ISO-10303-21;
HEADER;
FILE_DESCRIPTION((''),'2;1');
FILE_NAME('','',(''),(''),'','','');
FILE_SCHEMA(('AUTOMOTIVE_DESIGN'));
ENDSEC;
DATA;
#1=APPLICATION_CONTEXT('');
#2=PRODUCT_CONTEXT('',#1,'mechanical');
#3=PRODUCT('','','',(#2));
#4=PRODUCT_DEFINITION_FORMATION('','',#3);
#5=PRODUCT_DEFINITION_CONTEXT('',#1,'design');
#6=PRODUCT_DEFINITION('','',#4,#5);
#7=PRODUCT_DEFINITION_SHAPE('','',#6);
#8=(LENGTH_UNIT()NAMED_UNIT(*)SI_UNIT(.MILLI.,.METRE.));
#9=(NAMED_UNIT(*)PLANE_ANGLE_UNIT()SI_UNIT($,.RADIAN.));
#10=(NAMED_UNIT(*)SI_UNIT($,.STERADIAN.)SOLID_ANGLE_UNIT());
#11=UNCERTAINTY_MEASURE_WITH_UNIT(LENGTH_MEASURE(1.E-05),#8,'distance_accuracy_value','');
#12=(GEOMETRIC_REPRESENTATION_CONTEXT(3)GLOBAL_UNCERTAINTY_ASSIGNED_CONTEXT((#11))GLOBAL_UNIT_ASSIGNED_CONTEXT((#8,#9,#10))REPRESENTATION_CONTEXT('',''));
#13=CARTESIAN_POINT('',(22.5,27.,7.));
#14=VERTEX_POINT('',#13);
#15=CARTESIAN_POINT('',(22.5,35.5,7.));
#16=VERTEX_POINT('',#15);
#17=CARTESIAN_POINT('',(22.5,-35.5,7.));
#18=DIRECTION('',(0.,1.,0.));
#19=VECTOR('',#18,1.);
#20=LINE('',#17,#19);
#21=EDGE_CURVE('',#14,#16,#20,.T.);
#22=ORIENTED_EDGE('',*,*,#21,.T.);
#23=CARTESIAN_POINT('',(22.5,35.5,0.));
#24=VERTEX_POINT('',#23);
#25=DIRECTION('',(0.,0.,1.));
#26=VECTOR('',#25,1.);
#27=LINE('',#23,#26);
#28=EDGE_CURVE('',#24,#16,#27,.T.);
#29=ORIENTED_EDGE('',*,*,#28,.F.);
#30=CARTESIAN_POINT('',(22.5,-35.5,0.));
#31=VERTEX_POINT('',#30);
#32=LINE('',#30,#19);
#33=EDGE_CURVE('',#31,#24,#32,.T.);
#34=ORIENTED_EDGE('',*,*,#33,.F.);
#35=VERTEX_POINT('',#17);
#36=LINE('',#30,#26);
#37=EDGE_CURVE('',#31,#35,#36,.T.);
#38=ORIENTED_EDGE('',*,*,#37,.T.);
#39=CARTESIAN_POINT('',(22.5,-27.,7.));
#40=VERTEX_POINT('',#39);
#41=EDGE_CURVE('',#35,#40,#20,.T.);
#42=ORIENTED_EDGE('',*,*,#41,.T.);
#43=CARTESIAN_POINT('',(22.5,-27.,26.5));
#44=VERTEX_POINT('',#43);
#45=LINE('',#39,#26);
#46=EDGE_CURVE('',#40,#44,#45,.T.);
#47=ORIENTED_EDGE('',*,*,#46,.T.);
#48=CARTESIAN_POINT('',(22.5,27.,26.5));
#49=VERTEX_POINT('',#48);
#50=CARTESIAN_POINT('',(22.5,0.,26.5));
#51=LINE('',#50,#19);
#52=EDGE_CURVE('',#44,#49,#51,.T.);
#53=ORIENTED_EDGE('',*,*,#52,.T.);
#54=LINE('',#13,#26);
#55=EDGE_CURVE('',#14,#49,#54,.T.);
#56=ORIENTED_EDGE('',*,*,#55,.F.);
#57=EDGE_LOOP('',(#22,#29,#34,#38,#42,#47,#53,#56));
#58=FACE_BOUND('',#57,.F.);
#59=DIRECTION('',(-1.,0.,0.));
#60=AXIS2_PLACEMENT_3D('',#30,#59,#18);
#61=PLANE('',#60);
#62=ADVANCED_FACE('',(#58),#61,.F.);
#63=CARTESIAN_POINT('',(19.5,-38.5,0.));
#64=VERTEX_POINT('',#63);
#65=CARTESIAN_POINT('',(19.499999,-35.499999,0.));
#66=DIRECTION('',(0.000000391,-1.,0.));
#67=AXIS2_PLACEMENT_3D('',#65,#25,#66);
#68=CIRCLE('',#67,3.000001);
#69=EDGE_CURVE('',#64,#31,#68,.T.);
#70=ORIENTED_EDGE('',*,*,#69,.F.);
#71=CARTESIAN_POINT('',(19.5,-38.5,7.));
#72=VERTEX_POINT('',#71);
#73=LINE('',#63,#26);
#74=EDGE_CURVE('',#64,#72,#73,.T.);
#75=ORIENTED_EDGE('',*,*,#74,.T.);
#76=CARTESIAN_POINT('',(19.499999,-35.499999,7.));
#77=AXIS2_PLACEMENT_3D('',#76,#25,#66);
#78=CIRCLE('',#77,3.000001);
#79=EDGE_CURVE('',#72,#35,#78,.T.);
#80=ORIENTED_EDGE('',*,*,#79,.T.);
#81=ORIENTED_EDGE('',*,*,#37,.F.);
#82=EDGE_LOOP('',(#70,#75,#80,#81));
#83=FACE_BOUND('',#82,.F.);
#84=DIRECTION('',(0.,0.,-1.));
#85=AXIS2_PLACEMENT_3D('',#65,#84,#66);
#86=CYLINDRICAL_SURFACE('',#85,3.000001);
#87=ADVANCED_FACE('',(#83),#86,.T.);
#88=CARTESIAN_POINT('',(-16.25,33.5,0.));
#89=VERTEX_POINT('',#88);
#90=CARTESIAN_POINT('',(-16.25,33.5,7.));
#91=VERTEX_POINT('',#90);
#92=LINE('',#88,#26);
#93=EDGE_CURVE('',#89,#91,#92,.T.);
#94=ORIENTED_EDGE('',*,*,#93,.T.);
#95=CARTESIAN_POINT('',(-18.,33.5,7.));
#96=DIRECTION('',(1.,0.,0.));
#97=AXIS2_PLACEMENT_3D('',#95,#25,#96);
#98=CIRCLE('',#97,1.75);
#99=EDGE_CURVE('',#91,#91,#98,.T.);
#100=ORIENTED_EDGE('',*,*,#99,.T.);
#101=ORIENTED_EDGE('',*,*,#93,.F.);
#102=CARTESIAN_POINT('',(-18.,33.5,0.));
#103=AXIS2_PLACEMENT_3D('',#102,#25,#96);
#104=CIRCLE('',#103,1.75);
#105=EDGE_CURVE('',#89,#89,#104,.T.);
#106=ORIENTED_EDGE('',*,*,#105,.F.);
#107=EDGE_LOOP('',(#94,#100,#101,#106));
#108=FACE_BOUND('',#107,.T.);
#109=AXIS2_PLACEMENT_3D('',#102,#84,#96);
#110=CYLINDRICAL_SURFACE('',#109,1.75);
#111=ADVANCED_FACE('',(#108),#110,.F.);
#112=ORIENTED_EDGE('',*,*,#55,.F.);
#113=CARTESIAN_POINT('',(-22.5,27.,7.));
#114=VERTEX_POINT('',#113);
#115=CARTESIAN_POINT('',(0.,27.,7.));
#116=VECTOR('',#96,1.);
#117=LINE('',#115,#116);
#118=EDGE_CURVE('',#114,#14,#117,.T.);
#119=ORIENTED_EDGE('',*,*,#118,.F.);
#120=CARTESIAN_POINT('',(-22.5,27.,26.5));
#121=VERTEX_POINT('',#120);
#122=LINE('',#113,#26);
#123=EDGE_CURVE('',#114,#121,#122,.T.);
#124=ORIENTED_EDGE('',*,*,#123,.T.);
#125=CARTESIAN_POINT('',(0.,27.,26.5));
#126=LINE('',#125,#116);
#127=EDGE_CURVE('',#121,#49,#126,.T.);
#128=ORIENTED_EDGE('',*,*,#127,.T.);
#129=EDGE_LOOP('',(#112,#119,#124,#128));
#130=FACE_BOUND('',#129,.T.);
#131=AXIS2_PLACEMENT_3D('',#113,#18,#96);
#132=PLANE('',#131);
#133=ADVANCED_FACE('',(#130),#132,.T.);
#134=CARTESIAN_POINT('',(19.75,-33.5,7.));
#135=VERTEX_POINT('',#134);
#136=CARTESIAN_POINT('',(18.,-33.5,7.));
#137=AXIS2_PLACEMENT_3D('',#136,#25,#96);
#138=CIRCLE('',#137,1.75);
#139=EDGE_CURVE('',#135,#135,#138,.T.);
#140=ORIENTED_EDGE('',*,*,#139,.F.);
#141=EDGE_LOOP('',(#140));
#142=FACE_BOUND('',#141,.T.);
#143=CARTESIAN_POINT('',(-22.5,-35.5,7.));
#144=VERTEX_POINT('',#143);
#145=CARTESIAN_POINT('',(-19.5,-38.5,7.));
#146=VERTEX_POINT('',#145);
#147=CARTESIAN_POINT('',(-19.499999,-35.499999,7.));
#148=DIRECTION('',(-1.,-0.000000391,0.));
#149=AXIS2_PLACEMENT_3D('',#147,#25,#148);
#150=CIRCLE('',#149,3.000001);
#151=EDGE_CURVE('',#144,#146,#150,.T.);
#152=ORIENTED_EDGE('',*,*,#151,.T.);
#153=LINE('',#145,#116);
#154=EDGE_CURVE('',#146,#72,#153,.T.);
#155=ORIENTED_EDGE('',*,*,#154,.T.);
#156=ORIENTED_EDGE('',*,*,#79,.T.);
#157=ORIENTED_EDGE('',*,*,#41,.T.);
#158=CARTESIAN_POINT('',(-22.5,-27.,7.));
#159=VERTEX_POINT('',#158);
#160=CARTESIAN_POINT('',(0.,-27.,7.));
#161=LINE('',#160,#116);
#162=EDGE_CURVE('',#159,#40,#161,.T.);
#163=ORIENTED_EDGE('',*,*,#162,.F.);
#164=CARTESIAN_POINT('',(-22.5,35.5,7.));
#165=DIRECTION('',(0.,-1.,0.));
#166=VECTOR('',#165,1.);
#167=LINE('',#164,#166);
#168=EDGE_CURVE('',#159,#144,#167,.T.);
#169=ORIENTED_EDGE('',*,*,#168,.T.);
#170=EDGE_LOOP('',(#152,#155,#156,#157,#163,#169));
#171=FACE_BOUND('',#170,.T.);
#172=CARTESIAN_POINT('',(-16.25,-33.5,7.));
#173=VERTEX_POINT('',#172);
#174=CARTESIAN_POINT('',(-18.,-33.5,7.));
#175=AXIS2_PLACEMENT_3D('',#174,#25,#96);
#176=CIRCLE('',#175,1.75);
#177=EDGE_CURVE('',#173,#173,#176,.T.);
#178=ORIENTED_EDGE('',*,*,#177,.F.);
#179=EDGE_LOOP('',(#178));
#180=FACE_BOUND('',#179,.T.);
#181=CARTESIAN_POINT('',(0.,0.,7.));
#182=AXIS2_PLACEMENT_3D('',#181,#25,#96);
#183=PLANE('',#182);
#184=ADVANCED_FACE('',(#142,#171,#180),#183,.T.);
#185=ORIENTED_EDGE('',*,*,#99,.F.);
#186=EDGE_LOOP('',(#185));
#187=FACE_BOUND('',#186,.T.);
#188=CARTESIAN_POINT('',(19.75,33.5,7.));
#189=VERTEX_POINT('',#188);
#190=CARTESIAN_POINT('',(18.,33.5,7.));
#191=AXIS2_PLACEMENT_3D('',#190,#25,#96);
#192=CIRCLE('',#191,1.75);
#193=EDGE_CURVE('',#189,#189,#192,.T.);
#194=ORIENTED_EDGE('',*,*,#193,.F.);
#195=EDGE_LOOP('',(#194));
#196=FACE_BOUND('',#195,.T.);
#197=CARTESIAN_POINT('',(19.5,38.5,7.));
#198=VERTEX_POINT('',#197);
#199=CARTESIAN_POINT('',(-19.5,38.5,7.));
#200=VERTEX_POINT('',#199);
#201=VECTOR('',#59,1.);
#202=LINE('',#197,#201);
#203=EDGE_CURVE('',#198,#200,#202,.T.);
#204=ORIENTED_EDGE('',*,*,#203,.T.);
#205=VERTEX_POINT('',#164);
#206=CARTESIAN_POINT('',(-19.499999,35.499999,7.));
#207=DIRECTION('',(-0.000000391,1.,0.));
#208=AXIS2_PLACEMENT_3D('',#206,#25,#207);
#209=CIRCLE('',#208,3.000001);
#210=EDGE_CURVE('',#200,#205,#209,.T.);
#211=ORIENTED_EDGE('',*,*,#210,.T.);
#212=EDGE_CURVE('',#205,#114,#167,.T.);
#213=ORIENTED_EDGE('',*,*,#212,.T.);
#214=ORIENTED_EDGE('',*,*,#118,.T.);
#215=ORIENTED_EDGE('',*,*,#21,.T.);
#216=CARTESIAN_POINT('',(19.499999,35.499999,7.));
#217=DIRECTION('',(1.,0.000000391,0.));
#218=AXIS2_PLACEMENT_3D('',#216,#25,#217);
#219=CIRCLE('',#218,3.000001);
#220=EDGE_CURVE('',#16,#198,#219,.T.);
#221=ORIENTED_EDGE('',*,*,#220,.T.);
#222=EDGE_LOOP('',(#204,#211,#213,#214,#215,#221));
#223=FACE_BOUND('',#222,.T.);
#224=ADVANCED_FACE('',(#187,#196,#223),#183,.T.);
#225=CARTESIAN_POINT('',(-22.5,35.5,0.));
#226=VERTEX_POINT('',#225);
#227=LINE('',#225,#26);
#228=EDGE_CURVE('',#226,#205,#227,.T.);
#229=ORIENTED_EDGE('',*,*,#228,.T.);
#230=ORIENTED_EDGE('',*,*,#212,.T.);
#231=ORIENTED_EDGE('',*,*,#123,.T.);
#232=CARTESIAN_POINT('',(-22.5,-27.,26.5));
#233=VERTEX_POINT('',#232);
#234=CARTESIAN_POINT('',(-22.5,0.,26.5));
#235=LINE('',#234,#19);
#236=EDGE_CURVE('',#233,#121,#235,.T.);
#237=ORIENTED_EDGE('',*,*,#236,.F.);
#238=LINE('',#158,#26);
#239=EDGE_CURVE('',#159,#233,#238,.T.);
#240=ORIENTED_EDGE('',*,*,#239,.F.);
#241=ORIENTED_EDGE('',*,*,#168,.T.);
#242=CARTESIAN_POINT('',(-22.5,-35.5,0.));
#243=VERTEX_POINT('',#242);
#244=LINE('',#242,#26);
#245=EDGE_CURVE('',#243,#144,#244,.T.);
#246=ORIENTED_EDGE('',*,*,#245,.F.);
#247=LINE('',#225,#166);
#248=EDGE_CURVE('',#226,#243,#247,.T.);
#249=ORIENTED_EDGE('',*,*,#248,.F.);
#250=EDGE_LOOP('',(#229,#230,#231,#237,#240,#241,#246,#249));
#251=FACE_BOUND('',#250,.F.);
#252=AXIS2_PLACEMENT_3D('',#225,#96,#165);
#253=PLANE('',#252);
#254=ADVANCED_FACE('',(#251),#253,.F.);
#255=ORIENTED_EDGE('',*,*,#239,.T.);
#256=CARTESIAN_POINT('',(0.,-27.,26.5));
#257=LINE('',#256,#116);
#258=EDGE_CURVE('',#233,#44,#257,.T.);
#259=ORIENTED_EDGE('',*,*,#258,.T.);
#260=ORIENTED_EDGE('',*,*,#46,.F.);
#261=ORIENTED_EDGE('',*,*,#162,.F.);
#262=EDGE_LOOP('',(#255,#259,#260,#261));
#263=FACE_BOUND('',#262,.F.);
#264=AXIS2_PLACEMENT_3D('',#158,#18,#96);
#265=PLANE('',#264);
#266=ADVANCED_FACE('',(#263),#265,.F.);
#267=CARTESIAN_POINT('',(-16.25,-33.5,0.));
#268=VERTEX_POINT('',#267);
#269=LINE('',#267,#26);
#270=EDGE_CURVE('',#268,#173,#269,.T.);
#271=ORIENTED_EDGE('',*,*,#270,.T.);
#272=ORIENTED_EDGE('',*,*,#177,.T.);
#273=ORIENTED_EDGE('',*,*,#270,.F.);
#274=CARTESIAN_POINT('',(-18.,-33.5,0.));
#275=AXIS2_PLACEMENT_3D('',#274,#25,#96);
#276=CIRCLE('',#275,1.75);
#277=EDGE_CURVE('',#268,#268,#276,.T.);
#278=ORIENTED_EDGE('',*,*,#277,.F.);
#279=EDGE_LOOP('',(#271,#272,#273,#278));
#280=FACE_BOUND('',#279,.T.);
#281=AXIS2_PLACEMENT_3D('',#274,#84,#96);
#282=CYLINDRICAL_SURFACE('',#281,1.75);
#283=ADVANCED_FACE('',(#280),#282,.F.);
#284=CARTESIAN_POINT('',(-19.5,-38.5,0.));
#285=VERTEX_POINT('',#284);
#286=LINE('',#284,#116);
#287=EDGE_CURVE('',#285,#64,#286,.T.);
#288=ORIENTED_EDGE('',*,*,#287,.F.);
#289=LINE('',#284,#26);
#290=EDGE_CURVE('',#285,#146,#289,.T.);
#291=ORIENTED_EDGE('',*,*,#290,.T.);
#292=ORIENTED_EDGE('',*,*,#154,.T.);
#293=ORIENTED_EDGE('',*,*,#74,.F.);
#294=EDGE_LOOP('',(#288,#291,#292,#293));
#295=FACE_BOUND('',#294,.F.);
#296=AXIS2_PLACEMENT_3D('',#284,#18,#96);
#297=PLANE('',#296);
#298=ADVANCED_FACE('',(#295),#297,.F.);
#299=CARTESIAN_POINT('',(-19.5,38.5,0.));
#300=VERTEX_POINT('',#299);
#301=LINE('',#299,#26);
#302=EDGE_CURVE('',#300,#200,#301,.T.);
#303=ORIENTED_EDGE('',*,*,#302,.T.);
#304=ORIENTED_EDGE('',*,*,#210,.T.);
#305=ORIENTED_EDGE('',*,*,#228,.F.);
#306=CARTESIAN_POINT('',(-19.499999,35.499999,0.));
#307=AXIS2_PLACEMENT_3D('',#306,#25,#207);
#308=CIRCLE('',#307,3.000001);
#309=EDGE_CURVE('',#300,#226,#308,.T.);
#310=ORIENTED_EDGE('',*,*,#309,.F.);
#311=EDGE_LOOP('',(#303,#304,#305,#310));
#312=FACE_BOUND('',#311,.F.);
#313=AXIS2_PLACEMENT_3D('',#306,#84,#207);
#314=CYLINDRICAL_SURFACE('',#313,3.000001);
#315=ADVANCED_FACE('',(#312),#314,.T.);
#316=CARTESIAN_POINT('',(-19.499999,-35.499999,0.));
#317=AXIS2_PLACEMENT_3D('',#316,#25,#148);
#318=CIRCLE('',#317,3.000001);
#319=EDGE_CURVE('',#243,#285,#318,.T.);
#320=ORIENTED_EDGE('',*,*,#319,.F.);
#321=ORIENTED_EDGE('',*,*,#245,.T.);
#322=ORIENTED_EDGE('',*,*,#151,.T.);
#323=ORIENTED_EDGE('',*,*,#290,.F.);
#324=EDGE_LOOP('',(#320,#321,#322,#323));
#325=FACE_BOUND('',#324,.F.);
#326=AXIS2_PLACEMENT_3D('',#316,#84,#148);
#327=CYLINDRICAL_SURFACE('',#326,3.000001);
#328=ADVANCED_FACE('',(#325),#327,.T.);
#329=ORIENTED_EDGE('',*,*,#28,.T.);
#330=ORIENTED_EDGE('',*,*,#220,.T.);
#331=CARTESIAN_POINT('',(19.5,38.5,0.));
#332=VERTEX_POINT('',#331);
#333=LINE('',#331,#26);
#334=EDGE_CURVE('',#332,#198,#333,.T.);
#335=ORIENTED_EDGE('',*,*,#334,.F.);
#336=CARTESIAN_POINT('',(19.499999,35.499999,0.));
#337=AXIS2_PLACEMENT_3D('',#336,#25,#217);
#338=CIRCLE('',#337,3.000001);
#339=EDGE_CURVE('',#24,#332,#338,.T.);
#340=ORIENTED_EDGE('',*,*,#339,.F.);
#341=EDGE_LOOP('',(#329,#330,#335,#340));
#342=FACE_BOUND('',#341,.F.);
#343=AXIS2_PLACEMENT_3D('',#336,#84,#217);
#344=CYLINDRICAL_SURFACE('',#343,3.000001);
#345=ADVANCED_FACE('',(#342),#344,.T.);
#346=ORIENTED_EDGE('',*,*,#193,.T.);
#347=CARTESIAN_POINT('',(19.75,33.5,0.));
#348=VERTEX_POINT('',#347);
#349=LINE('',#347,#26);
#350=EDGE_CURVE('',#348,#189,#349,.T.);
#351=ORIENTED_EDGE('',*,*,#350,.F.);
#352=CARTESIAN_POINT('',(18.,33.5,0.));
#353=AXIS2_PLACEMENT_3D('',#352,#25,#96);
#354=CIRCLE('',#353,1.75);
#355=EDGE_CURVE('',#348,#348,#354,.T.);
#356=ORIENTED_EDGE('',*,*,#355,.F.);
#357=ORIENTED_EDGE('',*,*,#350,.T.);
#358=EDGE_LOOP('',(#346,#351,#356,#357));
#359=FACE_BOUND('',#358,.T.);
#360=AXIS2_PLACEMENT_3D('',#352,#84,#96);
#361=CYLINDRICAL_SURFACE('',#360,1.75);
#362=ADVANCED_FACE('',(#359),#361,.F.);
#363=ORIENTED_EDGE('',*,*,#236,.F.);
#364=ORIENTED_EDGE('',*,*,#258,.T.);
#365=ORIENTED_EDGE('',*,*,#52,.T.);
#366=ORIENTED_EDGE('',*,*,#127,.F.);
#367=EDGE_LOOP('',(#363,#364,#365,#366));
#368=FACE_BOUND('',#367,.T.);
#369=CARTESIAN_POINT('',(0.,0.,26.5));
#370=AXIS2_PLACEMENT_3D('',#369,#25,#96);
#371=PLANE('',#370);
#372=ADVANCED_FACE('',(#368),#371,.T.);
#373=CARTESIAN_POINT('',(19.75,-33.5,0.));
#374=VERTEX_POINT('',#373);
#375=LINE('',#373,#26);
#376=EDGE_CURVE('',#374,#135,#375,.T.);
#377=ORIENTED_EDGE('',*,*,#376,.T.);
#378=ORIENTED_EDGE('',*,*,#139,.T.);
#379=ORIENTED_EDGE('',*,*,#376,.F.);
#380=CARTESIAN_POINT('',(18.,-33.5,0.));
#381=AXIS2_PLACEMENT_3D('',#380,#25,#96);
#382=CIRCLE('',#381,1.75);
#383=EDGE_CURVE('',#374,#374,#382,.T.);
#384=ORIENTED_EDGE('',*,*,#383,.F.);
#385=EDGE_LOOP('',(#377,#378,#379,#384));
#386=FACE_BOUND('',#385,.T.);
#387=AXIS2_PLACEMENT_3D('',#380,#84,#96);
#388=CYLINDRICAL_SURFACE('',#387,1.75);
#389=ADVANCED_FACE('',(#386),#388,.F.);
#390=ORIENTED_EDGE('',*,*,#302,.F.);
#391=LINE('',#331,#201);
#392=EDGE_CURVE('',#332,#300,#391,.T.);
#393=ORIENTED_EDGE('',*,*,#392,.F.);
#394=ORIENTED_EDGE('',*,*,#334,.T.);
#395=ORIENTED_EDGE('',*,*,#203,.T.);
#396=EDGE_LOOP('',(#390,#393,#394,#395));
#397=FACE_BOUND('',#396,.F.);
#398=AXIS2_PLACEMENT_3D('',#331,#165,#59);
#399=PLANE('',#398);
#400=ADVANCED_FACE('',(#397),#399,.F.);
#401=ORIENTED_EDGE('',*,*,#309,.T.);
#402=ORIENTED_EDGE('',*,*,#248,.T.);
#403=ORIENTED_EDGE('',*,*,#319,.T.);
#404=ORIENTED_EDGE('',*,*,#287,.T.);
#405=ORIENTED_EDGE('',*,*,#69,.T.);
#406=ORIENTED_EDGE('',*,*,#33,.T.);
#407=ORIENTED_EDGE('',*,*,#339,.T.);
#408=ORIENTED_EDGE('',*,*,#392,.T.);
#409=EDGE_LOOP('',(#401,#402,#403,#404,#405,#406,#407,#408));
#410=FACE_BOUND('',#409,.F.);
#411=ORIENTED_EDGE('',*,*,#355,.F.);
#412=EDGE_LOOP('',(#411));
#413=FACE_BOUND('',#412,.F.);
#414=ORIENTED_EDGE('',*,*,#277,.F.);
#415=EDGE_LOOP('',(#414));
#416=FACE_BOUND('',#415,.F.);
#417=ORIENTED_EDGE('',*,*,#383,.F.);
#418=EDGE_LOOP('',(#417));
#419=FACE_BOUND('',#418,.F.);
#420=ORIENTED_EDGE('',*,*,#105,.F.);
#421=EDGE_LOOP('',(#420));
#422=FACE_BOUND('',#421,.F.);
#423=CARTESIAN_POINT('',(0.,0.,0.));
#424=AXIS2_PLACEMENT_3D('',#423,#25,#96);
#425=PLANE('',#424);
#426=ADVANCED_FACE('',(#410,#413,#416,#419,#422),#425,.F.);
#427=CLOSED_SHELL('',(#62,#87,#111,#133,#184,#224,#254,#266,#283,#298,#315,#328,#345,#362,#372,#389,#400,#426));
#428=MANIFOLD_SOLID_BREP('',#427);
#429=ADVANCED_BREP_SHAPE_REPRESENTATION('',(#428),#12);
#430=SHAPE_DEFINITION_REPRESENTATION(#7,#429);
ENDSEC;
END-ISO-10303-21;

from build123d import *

# Parameters (mm, degrees)
F0_R     = 1.75
F1_DEPTH = 7
F2_W     = 45
F2_H     = 54
F3_DEPTH = 19.5


with BuildPart() as f1:
    # F0 (on Top) → F1 (new body)
    with BuildSketch(Plane.XY):
        with BuildLine():
            ThreePointArc((19.5, -38.5), (21.62132, -37.62132), (22.5, -35.5))
            Line((22.5, -35.5), (22.5, 0))
            Line((22.5, 0), (22.5, 35.5))
            ThreePointArc((22.5, 35.5), (21.62132, 37.62132), (19.5, 38.5))
            Line((19.5, 38.5), (0, 38.5))
            Line((0, 38.5), (-19.5, 38.5))
            ThreePointArc((-19.5, 38.5), (-21.62132, 37.62132), (-22.5, 35.5))
            Line((-22.5, 35.5), (-22.5, 0))
            Line((-22.5, 0), (-22.5, -35.5))
            ThreePointArc((-22.5, -35.5), (-21.62132, -37.62132), (-19.5, -38.5))
            Line((-19.5, -38.5), (0, -38.5))
            Line((0, -38.5), (19.5, -38.5))
        make_face()
        with Locations((-18, -33.5)):
            Circle(F0_R, mode=Mode.SUBTRACT)
        with Locations((18, -33.5)):
            Circle(F0_R, mode=Mode.SUBTRACT)
        with Locations((-18, 33.5)):
            Circle(F0_R, mode=Mode.SUBTRACT)
        with Locations((18, 33.5)):
            Circle(F0_R, mode=Mode.SUBTRACT)
    extrude(amount=F1_DEPTH)

    # F2 (on face) → F3 (join)
    with BuildSketch(Plane.XY.offset(7)):
        Rectangle(F2_W, F2_H)
    extrude(amount=F3_DEPTH)


solid = f1.part
